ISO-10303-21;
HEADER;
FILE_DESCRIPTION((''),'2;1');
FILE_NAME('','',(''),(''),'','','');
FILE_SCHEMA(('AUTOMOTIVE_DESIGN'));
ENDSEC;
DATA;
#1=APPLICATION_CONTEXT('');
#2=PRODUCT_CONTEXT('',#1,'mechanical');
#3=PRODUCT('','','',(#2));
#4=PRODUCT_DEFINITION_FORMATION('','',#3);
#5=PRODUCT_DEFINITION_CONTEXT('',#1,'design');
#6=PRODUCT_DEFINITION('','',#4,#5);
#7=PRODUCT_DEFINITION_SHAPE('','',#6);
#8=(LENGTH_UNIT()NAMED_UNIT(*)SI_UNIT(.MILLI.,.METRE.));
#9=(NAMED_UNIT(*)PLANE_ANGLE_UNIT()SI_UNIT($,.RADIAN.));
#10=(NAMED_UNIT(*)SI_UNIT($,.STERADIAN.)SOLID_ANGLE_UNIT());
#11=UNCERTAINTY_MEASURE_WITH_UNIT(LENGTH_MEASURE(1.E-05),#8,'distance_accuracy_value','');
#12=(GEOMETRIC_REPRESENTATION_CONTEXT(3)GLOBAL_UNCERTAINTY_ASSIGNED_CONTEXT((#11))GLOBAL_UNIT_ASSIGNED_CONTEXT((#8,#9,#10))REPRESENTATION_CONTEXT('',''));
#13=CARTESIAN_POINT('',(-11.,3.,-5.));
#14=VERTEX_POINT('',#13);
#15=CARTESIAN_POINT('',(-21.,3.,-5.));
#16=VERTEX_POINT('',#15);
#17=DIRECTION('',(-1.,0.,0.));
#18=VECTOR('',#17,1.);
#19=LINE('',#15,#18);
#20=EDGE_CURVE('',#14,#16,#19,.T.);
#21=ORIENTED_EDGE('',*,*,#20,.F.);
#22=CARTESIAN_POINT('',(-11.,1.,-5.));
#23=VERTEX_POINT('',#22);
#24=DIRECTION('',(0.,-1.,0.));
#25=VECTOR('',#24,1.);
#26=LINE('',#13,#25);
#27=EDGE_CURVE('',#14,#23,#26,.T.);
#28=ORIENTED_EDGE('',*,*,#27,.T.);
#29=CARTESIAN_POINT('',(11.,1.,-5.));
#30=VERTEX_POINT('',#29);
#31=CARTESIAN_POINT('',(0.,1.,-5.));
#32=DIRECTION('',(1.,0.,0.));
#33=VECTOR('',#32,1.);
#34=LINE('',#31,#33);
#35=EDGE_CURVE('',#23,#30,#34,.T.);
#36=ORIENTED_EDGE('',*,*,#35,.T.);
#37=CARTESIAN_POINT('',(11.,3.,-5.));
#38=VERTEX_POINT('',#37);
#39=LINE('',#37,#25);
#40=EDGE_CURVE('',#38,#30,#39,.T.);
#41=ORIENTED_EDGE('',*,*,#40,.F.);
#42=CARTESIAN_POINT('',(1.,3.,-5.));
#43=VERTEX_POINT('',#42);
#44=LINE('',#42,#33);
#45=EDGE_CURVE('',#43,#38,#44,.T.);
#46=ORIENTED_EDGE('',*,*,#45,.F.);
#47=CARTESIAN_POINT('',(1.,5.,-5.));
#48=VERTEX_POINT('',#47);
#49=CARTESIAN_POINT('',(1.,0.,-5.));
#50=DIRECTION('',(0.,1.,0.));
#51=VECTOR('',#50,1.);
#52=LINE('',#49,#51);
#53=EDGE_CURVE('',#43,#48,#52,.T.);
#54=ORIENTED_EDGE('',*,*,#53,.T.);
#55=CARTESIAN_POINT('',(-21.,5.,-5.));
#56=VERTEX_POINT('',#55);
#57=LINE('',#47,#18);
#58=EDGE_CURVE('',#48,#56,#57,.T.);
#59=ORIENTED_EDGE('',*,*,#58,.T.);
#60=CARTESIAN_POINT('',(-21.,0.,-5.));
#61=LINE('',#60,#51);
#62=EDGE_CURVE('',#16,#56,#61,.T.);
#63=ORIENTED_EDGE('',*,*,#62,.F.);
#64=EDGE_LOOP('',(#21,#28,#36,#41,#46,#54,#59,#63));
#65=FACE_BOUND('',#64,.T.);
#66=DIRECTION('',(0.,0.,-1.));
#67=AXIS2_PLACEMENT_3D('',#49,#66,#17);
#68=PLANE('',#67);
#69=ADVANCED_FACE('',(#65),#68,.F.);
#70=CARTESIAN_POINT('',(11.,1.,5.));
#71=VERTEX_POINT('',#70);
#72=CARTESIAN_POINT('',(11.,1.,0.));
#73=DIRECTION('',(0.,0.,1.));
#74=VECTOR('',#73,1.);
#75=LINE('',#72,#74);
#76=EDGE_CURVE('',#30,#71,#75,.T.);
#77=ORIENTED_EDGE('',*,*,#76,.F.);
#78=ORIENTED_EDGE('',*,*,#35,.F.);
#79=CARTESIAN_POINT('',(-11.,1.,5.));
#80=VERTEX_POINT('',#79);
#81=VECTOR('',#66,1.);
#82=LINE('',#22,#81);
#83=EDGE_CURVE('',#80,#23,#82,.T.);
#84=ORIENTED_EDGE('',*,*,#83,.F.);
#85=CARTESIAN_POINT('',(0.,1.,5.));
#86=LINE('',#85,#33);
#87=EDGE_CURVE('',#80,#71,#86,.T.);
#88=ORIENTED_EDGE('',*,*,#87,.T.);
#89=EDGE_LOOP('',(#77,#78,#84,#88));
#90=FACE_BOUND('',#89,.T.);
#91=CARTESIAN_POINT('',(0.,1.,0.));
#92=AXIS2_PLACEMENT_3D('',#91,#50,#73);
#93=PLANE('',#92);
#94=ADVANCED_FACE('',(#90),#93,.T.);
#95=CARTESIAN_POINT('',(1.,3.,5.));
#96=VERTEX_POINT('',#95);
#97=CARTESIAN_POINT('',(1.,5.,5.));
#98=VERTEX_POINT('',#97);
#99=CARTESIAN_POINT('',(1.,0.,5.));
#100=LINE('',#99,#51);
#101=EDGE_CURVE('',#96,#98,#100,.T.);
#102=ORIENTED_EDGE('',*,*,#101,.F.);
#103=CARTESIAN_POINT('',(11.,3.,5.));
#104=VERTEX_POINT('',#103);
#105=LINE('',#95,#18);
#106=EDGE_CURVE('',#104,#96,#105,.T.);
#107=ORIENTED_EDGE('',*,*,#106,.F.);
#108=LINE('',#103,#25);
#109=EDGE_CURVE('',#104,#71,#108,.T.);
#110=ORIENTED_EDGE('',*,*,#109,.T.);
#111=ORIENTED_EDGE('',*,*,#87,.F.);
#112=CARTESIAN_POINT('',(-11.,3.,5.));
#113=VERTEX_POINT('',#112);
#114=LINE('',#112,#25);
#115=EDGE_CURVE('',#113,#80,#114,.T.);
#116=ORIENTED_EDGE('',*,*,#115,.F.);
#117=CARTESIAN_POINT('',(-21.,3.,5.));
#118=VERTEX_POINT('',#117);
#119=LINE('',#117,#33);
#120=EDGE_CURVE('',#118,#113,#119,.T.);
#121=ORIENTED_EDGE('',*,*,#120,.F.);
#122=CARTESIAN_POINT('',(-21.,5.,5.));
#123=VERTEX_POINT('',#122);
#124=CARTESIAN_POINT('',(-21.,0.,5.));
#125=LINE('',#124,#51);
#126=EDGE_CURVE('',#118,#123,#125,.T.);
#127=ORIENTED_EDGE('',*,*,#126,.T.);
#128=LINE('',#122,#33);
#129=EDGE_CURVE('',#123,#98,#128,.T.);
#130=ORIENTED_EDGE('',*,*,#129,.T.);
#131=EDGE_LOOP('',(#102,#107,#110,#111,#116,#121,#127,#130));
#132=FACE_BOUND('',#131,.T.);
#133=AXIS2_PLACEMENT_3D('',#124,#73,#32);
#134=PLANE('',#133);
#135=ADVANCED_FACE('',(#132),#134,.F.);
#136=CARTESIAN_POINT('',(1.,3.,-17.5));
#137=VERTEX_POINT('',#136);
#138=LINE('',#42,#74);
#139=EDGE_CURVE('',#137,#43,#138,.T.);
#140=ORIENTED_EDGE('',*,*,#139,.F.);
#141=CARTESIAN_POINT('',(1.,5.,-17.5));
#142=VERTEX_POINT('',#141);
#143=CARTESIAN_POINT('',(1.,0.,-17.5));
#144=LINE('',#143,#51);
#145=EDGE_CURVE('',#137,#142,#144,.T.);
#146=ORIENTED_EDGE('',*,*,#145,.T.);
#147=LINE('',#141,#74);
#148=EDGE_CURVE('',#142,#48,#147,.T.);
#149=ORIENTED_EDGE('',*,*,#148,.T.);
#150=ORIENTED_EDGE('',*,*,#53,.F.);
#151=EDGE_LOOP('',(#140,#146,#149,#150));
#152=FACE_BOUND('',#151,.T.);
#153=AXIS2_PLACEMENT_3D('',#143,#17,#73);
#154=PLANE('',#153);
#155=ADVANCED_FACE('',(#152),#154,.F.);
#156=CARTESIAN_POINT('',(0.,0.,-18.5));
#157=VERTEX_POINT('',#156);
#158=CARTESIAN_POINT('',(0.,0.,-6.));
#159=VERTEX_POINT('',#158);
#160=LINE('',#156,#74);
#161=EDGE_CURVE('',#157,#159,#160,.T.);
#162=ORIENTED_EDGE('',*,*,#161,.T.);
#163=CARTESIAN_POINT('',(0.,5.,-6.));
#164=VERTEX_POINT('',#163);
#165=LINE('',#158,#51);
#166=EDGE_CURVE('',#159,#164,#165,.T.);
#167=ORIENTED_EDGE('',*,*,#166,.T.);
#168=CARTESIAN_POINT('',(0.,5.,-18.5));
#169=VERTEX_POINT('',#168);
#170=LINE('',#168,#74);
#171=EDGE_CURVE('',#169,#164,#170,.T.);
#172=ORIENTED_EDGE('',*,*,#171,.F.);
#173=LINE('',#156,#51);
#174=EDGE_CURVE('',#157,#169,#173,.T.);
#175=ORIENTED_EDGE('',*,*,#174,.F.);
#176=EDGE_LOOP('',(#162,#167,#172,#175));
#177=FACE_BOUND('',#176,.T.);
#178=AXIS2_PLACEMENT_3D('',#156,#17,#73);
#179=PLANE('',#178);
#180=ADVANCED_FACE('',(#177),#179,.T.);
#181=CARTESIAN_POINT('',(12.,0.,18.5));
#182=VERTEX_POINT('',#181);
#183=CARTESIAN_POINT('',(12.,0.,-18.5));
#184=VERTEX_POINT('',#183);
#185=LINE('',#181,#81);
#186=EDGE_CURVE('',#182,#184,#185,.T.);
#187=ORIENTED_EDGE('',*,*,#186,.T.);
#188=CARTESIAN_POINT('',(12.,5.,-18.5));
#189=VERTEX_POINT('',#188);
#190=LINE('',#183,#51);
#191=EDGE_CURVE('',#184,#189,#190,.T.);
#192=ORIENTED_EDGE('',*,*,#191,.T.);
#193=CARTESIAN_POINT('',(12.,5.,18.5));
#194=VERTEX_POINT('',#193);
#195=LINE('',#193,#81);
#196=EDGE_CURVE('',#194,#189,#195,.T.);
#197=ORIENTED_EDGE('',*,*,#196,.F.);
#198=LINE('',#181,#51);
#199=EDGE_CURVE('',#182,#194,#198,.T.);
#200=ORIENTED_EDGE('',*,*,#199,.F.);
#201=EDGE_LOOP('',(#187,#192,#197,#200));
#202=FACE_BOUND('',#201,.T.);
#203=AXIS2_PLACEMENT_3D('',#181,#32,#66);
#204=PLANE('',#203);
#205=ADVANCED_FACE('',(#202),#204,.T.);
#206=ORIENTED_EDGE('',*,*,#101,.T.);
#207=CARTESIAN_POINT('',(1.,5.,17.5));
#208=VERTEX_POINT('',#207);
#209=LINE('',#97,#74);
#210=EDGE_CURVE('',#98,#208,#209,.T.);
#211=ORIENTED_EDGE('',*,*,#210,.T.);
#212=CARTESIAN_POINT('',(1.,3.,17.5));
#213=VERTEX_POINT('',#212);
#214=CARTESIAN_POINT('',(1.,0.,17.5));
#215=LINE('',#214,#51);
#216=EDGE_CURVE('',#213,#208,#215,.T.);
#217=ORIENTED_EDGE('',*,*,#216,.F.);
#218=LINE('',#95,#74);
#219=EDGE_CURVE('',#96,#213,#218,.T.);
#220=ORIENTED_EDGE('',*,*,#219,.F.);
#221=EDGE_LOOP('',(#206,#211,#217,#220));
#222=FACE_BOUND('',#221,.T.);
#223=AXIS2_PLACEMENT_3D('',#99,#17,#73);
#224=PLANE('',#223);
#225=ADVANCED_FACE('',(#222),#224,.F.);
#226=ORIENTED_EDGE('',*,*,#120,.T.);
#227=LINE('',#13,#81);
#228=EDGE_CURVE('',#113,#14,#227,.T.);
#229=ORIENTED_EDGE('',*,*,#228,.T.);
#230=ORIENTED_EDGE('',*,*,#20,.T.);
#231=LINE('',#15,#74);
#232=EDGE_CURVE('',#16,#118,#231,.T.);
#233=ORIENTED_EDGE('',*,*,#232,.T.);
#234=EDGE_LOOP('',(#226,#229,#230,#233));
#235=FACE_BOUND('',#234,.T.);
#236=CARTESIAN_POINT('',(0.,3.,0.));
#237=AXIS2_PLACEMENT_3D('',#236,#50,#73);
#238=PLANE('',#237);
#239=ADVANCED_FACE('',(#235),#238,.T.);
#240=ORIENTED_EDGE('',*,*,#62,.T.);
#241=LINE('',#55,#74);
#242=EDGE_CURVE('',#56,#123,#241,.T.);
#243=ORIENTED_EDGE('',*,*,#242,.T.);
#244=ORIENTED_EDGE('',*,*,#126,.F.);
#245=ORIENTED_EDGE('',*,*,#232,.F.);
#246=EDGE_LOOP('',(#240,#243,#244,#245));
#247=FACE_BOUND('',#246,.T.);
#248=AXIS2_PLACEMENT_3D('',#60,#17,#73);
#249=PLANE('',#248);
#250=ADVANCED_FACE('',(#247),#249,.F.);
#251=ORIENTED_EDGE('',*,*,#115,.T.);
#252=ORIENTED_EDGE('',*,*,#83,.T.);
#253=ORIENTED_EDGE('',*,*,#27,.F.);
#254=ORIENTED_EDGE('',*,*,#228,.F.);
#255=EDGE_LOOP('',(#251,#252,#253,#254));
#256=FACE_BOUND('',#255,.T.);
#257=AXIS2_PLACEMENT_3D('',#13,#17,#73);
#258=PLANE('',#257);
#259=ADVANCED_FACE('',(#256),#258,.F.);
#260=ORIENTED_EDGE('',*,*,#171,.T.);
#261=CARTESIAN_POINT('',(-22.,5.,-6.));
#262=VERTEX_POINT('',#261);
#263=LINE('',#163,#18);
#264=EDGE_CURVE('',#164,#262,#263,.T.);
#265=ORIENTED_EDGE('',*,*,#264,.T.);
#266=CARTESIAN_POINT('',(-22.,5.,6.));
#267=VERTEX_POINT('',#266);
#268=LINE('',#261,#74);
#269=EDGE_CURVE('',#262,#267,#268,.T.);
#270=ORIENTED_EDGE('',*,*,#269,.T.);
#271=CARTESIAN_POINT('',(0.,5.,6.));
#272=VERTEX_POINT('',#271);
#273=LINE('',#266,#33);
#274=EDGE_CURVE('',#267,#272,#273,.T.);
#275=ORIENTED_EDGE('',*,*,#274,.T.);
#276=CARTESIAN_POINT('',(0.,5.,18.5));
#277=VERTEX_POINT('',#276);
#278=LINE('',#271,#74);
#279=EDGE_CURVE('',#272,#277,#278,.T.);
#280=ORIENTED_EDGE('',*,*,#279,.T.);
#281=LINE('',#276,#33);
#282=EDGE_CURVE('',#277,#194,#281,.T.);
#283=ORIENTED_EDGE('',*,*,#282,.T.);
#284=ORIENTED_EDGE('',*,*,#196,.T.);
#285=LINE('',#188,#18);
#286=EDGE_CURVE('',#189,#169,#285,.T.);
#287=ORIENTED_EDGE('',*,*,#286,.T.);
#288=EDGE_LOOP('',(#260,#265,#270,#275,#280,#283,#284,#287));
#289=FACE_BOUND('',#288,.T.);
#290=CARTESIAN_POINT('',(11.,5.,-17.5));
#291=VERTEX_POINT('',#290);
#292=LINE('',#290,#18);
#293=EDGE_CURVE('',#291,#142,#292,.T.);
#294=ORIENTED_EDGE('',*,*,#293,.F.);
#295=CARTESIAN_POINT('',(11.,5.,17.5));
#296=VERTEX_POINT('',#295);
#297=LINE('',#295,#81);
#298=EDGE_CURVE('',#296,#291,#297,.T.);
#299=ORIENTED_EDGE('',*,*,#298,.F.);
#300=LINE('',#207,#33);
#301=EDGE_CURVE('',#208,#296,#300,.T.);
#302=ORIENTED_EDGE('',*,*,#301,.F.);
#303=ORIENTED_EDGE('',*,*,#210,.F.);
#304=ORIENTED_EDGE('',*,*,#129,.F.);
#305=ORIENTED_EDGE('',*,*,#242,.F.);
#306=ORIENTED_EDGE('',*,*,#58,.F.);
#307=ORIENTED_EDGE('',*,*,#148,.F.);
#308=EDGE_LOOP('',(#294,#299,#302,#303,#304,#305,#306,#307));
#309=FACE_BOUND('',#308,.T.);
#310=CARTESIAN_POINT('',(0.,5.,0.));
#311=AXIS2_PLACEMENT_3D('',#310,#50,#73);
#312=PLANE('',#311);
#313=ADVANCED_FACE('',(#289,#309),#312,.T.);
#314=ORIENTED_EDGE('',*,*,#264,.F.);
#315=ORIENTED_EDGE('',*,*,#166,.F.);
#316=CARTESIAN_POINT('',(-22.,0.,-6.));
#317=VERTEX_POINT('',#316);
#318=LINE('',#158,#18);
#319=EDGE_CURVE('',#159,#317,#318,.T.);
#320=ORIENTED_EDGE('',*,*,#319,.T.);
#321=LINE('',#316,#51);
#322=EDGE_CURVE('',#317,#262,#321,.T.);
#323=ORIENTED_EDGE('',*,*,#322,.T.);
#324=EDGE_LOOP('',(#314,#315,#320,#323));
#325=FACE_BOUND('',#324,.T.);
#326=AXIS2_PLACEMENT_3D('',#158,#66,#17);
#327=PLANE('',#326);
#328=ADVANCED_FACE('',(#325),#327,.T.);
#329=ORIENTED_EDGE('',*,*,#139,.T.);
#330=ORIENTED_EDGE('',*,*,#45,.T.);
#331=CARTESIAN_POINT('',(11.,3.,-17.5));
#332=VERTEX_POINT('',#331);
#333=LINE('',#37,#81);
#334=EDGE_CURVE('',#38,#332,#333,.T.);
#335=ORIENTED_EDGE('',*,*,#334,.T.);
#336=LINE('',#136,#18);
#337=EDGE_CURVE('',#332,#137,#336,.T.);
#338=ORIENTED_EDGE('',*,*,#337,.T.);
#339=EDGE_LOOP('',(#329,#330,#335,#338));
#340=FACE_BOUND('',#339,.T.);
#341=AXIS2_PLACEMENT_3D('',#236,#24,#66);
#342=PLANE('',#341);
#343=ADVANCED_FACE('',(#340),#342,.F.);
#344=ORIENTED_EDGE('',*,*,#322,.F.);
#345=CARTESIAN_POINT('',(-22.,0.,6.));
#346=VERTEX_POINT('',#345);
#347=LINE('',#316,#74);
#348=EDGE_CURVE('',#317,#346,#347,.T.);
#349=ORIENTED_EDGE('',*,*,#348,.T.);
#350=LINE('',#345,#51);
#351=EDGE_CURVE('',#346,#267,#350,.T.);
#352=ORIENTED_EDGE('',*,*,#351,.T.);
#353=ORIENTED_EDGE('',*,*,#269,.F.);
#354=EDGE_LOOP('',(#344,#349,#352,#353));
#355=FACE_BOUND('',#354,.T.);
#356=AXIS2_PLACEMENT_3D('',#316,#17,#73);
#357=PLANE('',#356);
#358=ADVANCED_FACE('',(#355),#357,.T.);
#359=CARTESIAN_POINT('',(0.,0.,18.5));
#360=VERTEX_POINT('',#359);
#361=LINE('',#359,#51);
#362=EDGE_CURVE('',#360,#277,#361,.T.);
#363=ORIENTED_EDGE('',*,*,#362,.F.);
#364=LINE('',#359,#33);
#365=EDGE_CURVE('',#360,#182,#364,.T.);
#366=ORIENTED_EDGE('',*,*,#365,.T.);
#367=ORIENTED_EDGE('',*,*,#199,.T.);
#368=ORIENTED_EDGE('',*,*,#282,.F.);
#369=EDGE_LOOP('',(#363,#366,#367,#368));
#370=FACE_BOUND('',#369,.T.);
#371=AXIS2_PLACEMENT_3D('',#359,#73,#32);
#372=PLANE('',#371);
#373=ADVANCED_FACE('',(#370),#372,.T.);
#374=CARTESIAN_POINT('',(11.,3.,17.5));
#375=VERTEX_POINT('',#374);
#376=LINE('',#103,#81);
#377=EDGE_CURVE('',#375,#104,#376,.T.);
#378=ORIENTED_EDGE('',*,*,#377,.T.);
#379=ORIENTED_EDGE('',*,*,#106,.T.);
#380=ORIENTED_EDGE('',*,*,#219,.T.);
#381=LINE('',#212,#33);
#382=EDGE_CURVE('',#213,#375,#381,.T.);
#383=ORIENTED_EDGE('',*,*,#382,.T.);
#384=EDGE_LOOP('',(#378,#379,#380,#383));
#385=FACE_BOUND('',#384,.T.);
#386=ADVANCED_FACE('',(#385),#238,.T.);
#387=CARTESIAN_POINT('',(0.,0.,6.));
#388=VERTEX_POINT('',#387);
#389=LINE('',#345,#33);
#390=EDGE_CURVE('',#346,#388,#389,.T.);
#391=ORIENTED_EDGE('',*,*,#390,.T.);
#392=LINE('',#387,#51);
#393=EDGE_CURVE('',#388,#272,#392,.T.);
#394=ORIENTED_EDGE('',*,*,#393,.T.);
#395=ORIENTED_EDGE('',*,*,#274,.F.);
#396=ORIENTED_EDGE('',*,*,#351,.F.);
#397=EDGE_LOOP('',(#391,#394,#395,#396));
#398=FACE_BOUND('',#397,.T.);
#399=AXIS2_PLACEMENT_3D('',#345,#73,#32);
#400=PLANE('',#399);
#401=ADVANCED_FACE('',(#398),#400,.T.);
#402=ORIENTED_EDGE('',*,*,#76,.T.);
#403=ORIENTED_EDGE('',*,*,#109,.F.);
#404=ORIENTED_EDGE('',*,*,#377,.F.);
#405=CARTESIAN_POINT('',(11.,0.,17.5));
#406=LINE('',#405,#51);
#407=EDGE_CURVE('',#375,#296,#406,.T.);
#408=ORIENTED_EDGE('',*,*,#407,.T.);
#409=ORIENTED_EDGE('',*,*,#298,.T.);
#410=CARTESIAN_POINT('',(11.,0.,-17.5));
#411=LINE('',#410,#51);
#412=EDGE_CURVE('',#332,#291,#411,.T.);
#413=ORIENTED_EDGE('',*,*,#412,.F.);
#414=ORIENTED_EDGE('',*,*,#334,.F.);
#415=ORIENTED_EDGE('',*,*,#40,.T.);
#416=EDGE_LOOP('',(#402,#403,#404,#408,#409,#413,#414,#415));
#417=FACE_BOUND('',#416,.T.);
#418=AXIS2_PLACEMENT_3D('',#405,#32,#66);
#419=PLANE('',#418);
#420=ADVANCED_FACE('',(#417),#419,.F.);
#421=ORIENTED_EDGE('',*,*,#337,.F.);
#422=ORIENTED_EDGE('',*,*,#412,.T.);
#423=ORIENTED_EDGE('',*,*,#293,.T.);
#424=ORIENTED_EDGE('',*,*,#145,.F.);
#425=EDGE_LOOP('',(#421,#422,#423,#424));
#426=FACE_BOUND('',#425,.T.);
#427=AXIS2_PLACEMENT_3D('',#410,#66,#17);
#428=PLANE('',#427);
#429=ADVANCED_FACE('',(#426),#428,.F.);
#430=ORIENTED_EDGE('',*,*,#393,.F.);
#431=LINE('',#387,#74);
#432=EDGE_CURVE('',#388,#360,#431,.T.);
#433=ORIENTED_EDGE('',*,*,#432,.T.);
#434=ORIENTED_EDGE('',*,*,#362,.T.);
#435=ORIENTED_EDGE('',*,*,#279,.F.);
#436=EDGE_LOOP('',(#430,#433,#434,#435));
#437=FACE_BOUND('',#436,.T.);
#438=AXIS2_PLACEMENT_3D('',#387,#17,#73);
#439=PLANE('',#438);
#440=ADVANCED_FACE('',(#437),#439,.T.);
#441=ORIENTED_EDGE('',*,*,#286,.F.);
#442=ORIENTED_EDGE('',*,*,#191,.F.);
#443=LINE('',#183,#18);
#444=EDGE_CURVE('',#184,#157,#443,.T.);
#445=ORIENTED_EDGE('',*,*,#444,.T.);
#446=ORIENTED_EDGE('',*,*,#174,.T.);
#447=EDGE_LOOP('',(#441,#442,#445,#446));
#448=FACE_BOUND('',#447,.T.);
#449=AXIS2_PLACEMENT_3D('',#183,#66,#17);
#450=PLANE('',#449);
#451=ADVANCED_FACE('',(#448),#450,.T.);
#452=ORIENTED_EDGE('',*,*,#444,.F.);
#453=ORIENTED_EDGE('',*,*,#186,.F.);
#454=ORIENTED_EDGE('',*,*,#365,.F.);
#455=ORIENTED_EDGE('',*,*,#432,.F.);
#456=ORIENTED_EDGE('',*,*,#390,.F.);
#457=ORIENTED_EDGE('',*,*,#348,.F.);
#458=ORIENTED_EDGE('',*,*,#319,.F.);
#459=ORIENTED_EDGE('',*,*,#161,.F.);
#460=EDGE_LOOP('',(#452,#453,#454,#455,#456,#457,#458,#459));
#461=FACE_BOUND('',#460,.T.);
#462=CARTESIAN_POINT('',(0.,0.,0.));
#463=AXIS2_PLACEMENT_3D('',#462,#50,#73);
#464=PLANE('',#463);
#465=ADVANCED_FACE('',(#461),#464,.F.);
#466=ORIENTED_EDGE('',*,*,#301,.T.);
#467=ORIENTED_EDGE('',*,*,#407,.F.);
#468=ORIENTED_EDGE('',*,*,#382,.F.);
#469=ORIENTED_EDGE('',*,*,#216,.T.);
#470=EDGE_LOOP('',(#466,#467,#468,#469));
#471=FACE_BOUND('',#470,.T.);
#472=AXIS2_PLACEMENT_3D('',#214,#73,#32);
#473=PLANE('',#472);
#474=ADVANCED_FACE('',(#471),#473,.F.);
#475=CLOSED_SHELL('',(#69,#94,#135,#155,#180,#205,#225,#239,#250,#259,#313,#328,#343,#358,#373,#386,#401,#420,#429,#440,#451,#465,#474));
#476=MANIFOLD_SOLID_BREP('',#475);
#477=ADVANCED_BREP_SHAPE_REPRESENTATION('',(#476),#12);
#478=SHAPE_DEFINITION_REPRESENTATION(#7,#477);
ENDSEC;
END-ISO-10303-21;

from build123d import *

# Parameters (mm, degrees)
SKETCH_2_W           = 32
SKETCH_2_H           = 10
SKETCH_2_W_2         = 10
SKETCH_2_H_2         = 12.5
EXTRUDE_1_DEPTH      = 1
EXTRUDE_2_DEPTH      = 4
EXTRUDE_2_DEPTH_BACK = 1
SKETCH_4_W           = 10
SKETCH_4_H           = 10
SKETCH_4_H_2         = 12.5
EXTRUDE_3_DEPTH      = 2


with BuildPart() as part:
    # 草图2 → 凸台-拉伸1 (new body)
    with BuildSketch(Plane(origin=(0, 0, 0), x_dir=(1, 0, 0), z_dir=(0, 1, 0))):
        with Locations((-5, 0)):
            Rectangle(SKETCH_2_W, SKETCH_2_H)
        with Locations((6, 11.25)):
            Rectangle(SKETCH_2_W_2, SKETCH_2_H_2)
        with Locations((6, -11.25)):
            Rectangle(SKETCH_2_W_2, SKETCH_2_H_2)
    extrude(amount=EXTRUDE_1_DEPTH)

    # 草图3 → 凸台-拉伸2 (add, two sides)
    with BuildSketch(Plane(origin=(0, 1, 0), x_dir=(1, 0, 0), z_dir=(0, 1, 0))) as extrude_2_sk:
        Polygon((12, -18.5), (12, 18.5), (0, 18.5), (0, 6), (-22, 6), (-22, -6), (0, -6), (0, -18.5), align=None)
        Polygon((11, -17.5), (11, 17.5), (1, 17.5), (1, 5), (-21, 5), (-21, -5), (1, -5), (1, -17.5), align=None, mode=Mode.SUBTRACT)
    extrude(amount=EXTRUDE_2_DEPTH)
    extrude(extrude_2_sk.sketch, amount=-EXTRUDE_2_DEPTH_BACK)

    # 草图4 → 凸台-拉伸3 (add)
    with BuildSketch(Plane(origin=(0, 1, 0), x_dir=(1, 0, 0), z_dir=(0, 1, 0))):
        with Locations((-16, 0)):
            Rectangle(SKETCH_4_W, SKETCH_4_H)
        with Locations((6, 11.25)):
            Rectangle(SKETCH_4_W, SKETCH_4_H_2)
        with Locations((6, -11.25)):
            Rectangle(SKETCH_4_W, SKETCH_4_H_2)
    extrude(amount=EXTRUDE_3_DEPTH)


solid = part.part
